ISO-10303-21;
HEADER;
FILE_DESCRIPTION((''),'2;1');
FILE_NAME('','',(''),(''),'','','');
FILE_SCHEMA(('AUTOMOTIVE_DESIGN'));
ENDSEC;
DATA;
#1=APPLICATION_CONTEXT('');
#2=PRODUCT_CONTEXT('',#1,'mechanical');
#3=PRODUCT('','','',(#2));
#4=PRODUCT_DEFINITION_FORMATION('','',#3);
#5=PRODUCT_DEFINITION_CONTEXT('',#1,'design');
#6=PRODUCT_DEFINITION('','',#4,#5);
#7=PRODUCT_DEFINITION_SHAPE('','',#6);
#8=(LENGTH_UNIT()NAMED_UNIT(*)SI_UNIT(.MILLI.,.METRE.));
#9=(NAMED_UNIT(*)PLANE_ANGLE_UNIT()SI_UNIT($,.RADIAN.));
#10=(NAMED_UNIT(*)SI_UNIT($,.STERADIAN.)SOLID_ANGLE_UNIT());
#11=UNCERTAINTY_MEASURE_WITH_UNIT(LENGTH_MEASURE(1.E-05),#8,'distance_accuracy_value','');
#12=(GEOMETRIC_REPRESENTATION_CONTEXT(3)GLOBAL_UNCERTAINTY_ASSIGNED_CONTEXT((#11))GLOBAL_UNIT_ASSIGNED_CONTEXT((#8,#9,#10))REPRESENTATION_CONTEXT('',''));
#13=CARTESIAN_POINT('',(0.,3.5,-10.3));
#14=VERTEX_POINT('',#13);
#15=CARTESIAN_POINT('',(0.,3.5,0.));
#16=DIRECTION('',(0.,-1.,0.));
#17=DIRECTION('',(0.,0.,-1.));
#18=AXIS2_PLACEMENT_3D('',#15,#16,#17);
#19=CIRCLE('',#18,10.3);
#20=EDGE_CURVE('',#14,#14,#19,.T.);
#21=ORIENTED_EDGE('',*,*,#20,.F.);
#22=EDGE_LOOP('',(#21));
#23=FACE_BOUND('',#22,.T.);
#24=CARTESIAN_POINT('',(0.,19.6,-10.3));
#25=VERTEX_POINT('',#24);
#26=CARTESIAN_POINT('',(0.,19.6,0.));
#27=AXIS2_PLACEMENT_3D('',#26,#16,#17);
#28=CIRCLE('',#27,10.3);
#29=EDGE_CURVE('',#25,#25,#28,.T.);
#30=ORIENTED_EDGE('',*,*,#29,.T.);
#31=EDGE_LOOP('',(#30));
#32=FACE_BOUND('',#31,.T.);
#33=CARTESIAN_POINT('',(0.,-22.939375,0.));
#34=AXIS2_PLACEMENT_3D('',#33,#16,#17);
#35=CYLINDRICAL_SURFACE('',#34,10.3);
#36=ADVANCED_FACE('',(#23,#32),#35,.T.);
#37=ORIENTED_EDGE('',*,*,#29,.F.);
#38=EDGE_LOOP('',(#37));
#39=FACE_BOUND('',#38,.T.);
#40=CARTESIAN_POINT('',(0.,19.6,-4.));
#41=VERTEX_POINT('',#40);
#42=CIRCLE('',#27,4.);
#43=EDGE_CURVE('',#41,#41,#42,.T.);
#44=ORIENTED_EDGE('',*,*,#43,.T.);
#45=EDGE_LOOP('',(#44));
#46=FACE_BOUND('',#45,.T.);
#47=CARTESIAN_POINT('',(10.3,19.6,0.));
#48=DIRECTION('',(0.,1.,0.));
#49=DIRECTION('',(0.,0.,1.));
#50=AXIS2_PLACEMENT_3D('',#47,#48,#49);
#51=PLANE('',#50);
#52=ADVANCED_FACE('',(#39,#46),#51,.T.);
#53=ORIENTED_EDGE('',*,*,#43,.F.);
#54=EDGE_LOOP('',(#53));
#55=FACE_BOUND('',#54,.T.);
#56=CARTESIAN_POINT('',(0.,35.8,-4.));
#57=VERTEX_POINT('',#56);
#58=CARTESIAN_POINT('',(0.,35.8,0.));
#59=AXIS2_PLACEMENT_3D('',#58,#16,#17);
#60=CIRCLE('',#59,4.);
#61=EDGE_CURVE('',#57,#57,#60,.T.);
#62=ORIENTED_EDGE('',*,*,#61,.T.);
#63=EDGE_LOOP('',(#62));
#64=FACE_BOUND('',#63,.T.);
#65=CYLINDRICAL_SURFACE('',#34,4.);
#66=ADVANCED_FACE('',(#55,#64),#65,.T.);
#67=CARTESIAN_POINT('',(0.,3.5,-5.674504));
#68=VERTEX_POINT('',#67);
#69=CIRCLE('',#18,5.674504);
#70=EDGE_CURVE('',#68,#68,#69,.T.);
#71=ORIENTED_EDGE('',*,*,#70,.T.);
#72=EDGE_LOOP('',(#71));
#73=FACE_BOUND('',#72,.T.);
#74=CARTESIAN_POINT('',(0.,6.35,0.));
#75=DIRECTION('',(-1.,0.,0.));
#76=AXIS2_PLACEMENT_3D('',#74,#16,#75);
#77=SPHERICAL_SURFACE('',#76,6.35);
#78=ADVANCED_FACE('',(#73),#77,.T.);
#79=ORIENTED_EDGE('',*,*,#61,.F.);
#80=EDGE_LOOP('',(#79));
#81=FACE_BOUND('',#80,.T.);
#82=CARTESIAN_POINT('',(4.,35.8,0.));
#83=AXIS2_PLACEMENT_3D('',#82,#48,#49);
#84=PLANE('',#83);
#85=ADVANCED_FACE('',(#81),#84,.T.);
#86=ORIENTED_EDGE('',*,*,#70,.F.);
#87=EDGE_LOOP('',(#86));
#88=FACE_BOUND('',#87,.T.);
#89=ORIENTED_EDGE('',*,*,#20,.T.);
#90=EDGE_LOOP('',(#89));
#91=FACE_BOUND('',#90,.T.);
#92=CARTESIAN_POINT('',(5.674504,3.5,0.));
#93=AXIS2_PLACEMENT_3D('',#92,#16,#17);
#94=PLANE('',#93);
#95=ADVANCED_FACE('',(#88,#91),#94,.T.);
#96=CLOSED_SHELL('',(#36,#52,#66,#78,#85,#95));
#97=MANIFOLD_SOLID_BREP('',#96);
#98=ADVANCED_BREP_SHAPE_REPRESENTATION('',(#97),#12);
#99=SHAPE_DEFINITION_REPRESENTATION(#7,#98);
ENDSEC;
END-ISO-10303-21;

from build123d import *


with BuildPart() as part:
    # Esquisse1 → Révolution1 (revolve)
    with BuildSketch(Plane.XY, mode=Mode.PRIVATE) as r_volution1_sk:
        with BuildLine():
            Line((5.674504384, 3.5), (10.3, 3.5))
            Line((10.3, 3.5), (10.3, 19.6))
            Line((10.3, 19.6), (4, 19.6))
            Line((4, 19.6), (4, 35.8))
            Line((4, 35.8), (0, 35.8))
            Line((0, 35.8), (0, 0))
            ThreePointArc((0, 0), (3.33354166, 0.945372353), (5.674504384, 3.5))
        make_face()
    revolve(r_volution1_sk.sketch.rotate(Axis((0, -22.939375, 0), (0, 1, 0)), 90), axis=Axis((0, -22.939375, 0), (0, 1, 0)))


solid = part.part
